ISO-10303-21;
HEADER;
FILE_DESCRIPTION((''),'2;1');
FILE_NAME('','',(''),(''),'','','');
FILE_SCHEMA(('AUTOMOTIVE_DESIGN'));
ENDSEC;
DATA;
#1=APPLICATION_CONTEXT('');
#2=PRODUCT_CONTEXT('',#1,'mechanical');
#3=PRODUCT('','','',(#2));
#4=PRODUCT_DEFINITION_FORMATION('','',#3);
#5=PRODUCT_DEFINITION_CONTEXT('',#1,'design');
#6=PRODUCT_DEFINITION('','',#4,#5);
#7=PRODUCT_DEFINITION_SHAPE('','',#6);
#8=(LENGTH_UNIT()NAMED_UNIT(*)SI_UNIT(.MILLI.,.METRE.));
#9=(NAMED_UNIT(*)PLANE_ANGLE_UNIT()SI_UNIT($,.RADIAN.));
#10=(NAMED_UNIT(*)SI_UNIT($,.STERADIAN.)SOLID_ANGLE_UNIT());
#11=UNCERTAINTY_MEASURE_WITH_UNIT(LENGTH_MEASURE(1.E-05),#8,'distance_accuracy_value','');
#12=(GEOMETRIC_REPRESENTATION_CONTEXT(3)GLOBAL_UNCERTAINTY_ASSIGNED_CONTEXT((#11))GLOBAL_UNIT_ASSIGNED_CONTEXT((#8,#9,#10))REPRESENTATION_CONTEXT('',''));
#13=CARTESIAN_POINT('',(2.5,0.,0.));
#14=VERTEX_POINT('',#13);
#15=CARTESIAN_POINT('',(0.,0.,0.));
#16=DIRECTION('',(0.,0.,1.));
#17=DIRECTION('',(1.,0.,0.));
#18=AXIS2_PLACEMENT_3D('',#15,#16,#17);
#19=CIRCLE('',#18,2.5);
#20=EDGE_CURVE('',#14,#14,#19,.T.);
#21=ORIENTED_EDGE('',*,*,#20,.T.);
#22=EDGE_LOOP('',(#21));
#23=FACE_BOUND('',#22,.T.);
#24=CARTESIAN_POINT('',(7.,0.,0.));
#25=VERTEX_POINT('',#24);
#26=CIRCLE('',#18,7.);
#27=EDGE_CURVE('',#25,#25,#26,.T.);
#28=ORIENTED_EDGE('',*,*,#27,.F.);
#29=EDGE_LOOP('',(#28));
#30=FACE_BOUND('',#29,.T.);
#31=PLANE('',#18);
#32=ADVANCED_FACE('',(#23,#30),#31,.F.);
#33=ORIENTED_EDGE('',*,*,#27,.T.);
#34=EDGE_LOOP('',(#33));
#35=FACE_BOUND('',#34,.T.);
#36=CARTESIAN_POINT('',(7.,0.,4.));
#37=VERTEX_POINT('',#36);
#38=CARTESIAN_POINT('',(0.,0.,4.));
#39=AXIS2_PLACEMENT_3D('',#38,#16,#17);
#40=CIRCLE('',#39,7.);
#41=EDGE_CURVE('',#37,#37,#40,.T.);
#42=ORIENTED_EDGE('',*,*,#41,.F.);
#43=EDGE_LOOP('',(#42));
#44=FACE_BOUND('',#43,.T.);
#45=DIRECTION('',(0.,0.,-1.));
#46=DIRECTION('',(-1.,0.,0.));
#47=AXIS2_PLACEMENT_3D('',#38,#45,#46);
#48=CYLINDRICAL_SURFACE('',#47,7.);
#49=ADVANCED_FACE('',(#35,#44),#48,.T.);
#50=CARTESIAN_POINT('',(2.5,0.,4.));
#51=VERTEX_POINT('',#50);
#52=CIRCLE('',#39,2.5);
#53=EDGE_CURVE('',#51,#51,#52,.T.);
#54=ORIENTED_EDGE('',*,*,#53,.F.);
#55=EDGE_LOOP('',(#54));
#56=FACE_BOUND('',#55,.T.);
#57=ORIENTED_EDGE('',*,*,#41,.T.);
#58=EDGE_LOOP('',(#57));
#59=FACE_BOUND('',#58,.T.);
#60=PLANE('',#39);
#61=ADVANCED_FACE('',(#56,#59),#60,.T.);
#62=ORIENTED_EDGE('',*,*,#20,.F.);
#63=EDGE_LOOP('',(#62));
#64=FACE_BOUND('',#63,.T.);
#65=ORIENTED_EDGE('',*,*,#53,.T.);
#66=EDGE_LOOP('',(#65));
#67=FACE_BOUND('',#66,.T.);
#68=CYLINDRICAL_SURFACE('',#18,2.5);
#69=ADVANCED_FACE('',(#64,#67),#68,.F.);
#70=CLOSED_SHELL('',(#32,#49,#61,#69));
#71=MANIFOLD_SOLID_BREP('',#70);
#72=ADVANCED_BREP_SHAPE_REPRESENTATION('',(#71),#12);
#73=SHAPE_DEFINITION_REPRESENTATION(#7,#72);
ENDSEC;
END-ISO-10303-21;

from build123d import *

# Parameters (mm, degrees)
SKETCH_1_R          = 7
EXTRUDE_1_DEPTH     = 4
SKETCH_2_R          = 2.5
CUT_EXTRUDE_1_DEPTH = 4


with BuildPart() as part:
    # 草圖1 → 填料-伸長1 (new body)
    with BuildSketch(Plane.XY):
        Circle(SKETCH_1_R)
    extrude(amount=EXTRUDE_1_DEPTH)

    # 草圖2 → 除料-伸長1 (cut)
    with BuildSketch(Plane.XY.offset(4)):
        Circle(SKETCH_2_R)
    extrude(amount=-CUT_EXTRUDE_1_DEPTH, mode=Mode.SUBTRACT)


solid = part.part
